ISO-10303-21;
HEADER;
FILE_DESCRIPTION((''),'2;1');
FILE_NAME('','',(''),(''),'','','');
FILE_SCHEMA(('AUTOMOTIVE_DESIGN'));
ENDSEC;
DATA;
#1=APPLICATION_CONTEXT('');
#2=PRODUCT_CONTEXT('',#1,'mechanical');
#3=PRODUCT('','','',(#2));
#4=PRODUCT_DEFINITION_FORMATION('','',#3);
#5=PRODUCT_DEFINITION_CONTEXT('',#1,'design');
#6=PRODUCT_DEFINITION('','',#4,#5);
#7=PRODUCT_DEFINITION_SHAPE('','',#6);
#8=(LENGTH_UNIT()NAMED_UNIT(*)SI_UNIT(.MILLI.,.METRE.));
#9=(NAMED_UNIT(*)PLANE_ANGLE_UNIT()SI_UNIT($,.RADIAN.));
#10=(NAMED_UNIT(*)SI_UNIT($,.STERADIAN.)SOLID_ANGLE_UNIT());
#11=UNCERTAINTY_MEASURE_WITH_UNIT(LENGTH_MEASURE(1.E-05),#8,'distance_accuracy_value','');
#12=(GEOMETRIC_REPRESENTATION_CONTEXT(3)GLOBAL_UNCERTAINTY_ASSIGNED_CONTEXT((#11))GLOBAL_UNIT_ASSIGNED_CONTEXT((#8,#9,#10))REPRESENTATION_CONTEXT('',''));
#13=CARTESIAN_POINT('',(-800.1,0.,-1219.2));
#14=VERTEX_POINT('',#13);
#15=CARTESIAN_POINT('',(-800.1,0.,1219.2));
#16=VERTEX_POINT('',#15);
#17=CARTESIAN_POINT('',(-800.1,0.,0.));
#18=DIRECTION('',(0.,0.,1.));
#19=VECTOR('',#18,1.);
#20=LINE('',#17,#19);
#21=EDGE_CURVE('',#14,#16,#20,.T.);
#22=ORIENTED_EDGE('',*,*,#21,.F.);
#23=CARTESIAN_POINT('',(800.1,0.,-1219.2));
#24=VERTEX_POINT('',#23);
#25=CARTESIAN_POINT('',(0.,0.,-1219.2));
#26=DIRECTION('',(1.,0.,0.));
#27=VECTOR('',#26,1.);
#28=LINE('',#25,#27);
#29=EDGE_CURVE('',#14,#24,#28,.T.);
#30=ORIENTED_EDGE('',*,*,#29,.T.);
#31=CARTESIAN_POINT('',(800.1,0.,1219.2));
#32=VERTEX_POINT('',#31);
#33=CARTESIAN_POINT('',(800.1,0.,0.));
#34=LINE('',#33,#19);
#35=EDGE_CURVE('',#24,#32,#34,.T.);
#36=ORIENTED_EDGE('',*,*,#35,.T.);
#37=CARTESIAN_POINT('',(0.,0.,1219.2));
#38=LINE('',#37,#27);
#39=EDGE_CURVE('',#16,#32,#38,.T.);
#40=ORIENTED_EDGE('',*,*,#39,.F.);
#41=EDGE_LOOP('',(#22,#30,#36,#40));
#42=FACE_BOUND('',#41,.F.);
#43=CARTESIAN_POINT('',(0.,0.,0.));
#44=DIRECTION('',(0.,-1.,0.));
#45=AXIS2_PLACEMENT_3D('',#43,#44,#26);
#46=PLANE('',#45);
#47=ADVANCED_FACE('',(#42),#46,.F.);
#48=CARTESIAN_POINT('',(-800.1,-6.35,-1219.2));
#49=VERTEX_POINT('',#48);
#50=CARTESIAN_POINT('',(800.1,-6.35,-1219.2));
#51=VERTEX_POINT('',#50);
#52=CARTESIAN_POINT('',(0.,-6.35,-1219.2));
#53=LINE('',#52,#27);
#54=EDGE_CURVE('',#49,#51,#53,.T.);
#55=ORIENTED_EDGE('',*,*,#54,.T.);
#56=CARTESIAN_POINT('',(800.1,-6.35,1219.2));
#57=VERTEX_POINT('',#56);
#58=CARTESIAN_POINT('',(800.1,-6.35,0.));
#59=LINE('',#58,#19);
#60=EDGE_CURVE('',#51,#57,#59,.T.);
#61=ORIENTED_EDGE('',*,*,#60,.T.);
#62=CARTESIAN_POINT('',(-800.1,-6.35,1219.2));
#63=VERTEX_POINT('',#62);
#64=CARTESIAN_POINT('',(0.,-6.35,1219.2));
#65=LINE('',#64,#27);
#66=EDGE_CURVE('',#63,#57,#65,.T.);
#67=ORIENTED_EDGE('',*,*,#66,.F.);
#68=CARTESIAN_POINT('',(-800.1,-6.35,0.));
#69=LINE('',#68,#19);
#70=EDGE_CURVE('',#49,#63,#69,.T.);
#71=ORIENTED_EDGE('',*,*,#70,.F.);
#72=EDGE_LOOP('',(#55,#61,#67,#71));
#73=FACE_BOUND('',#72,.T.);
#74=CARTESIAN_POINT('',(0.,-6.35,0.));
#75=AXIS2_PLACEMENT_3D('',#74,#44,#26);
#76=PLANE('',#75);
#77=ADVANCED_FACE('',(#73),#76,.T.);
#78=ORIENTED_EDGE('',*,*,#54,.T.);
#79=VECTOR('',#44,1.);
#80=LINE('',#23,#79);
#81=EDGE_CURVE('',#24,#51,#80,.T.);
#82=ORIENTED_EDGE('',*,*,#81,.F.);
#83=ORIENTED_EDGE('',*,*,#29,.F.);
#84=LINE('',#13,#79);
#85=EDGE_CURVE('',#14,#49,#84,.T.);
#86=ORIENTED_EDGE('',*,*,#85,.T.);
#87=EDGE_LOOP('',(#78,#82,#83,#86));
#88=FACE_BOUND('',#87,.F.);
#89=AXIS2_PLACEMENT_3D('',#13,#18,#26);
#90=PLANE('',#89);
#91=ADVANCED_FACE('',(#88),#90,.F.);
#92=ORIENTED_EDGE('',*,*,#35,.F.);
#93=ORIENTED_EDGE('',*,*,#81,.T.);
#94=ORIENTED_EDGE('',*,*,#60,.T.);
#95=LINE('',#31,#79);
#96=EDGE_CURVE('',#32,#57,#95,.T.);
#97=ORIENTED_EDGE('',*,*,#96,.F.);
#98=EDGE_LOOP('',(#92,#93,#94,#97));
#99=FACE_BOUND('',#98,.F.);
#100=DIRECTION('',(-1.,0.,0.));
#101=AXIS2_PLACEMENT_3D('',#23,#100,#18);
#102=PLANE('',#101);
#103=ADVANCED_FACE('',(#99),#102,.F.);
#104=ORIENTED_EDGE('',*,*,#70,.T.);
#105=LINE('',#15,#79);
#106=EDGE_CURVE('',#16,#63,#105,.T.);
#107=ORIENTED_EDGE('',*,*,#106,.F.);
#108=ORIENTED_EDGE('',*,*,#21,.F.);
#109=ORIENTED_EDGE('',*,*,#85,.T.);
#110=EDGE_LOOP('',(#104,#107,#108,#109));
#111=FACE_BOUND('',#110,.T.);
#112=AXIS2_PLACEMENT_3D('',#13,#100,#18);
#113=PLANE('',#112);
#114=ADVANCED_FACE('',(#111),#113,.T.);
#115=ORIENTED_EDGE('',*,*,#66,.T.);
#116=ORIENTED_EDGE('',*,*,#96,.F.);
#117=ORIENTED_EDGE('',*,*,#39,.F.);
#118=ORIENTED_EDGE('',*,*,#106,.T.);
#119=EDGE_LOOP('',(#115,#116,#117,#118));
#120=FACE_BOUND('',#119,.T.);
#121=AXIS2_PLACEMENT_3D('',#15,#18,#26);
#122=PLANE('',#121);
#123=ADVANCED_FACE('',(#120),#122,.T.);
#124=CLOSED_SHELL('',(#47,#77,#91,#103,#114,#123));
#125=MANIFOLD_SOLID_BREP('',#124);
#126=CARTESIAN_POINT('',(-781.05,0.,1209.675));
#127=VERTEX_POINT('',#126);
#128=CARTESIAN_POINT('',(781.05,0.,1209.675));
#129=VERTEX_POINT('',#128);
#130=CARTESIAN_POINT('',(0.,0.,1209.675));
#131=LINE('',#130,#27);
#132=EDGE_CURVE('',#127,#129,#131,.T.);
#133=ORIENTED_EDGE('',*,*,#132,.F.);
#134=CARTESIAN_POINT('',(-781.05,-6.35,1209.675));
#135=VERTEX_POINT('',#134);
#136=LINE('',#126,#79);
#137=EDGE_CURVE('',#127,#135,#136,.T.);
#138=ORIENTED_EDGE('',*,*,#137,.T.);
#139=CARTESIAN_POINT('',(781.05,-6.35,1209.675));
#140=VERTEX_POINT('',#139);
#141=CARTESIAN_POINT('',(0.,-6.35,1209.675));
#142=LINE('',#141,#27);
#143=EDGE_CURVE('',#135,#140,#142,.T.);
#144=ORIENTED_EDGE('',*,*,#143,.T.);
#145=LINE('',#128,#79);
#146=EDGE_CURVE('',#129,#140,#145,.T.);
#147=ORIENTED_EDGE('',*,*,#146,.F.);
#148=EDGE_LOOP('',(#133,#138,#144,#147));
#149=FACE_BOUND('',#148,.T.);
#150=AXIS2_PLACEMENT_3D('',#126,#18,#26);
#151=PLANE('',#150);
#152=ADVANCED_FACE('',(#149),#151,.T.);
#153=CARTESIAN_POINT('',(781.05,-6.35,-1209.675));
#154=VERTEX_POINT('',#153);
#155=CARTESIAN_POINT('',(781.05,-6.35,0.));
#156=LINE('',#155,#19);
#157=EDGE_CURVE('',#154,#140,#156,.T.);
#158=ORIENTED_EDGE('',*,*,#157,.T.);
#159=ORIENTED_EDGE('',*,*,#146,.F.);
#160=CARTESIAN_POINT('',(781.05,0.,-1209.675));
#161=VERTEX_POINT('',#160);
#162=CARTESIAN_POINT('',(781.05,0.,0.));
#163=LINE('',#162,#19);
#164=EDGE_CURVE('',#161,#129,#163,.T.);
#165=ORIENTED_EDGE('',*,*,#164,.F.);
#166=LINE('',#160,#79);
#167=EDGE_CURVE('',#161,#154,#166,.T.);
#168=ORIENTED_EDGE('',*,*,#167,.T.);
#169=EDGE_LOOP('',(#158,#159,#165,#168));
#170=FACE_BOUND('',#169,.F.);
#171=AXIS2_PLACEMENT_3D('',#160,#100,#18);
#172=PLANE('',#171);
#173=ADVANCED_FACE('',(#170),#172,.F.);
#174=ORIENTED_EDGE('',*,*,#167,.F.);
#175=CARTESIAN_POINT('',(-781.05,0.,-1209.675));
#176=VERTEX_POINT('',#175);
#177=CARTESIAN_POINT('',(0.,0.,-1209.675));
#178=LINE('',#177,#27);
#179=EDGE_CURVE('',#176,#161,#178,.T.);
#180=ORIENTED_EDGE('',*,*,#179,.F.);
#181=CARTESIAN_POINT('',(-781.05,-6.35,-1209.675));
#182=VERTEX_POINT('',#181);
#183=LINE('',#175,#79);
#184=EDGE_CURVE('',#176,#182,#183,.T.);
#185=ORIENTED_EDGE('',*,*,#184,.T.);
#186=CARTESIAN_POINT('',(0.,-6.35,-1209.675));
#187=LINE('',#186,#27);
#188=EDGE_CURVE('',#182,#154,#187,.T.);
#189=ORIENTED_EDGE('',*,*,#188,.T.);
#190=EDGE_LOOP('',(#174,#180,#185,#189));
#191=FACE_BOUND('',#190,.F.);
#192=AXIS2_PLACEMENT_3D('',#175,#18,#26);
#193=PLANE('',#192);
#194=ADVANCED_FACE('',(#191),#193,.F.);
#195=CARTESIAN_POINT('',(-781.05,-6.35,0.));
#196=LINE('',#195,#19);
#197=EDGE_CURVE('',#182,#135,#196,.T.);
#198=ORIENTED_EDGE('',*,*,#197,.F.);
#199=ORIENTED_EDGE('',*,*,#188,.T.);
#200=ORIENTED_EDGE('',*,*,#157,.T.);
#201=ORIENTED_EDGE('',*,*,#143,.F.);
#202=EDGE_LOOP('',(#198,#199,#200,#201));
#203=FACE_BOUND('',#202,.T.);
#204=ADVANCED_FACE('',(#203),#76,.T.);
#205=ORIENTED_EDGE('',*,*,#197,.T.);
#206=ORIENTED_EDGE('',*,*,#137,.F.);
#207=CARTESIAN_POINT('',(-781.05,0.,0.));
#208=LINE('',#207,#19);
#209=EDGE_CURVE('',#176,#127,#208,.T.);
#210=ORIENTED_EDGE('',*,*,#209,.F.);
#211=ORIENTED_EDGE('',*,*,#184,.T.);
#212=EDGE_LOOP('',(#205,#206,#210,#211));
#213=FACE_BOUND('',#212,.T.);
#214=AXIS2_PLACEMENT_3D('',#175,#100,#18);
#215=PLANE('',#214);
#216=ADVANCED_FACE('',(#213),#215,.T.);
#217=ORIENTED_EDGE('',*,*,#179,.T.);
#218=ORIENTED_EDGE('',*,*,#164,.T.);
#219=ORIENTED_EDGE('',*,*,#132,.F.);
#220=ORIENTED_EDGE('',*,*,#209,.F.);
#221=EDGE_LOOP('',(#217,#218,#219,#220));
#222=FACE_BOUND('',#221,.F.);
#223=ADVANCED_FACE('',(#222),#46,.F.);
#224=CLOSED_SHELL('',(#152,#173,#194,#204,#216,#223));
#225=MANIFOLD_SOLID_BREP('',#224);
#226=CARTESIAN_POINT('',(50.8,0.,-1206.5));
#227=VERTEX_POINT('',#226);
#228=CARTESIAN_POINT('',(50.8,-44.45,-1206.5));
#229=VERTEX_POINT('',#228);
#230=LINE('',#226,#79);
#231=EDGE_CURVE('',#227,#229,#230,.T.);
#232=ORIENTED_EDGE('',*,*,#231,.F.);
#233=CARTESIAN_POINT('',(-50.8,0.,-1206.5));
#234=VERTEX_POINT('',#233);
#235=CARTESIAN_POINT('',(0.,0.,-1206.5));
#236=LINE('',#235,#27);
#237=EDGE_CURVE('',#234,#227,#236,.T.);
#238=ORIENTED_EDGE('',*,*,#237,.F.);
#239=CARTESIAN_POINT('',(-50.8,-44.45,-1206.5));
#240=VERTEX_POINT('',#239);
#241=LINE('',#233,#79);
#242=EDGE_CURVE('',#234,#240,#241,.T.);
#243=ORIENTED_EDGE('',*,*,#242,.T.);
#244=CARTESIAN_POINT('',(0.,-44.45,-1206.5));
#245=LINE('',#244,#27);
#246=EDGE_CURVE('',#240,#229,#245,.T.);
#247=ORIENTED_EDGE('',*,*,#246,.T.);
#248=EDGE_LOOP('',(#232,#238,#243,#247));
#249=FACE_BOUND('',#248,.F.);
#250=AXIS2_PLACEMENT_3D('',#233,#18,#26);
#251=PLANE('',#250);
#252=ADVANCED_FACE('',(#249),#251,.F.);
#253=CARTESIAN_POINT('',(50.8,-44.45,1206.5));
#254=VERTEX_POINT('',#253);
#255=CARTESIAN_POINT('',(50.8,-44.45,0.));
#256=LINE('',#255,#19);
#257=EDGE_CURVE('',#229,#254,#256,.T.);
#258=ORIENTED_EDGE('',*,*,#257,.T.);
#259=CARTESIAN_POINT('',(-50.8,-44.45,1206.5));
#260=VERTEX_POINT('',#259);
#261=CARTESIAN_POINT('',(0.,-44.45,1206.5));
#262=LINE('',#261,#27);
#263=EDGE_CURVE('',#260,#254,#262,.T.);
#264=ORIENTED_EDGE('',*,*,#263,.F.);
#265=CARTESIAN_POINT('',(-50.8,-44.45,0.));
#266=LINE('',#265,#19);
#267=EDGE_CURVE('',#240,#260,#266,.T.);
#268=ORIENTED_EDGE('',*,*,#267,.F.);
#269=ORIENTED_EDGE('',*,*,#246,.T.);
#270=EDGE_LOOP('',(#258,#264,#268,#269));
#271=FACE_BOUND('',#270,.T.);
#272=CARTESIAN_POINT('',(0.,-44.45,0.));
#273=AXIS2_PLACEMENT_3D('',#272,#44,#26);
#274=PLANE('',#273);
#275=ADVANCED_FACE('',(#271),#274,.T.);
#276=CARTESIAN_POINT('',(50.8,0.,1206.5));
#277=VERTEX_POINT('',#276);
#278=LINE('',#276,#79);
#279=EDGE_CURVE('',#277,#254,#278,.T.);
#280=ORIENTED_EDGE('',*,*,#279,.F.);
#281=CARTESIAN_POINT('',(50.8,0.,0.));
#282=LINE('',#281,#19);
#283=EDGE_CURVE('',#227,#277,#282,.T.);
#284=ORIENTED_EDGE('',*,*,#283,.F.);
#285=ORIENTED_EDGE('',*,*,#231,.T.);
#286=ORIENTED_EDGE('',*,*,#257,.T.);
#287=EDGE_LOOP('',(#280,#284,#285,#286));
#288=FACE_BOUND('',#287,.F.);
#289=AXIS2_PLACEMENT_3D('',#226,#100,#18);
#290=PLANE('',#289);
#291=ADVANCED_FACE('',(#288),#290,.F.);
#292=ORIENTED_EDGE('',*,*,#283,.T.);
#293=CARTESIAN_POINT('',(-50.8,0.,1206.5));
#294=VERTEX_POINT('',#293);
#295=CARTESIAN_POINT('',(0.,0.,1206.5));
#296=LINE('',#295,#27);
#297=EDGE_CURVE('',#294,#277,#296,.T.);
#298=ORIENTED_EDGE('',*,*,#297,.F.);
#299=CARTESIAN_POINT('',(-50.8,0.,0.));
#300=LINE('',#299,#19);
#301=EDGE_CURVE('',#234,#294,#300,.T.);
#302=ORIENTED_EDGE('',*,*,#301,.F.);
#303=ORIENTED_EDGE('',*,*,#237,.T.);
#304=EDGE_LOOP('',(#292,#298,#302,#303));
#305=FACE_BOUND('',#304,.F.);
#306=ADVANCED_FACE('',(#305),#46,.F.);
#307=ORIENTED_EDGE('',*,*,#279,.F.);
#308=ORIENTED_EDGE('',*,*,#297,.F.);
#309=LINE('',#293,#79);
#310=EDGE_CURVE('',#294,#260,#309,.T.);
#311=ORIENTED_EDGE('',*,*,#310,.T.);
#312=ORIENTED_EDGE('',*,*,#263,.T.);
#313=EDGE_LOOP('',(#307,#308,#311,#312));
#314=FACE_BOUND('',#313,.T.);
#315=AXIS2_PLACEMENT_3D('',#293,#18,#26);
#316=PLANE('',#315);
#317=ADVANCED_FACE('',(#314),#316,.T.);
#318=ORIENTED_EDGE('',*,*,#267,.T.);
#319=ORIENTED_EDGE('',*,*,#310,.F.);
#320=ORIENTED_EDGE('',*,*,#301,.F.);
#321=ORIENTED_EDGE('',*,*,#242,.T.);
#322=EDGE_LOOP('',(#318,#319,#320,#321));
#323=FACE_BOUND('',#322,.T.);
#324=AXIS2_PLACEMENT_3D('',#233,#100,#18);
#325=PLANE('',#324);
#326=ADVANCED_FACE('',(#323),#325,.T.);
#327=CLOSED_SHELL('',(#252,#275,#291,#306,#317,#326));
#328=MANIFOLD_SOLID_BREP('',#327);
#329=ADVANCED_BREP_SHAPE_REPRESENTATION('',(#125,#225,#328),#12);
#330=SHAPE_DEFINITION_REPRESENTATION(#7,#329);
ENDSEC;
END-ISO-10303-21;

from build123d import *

# Parameters (mm, degrees)
F0_W     = 1600.2
F0_H     = 2438.4
F1_DEPTH = 6.35
F2_W     = 101.6
F2_H     = 2413
F3_DEPTH = 44.45
F4_W     = 1562.1
F4_H     = 2419.35
F5_DEPTH = 6.35


with BuildPart() as f1:
    # F0 (on Front) → F1 (new body)
    with BuildSketch(Plane.XZ):
        Rectangle(F0_W, F0_H)
    extrude(amount=F1_DEPTH)


with BuildPart() as f3:
    # F2 (on Front) → F3 (new body)
    with BuildSketch(Plane.XZ):
        Rectangle(F2_W, F2_H)
    extrude(amount=F3_DEPTH)


with BuildPart() as f5:
    # F4 (on Front) → F5 (new body)
    with BuildSketch(Plane.XZ):
        Rectangle(F4_W, F4_H)
    extrude(amount=F5_DEPTH)


solid = Compound([f1.part, f3.part, f5.part])
